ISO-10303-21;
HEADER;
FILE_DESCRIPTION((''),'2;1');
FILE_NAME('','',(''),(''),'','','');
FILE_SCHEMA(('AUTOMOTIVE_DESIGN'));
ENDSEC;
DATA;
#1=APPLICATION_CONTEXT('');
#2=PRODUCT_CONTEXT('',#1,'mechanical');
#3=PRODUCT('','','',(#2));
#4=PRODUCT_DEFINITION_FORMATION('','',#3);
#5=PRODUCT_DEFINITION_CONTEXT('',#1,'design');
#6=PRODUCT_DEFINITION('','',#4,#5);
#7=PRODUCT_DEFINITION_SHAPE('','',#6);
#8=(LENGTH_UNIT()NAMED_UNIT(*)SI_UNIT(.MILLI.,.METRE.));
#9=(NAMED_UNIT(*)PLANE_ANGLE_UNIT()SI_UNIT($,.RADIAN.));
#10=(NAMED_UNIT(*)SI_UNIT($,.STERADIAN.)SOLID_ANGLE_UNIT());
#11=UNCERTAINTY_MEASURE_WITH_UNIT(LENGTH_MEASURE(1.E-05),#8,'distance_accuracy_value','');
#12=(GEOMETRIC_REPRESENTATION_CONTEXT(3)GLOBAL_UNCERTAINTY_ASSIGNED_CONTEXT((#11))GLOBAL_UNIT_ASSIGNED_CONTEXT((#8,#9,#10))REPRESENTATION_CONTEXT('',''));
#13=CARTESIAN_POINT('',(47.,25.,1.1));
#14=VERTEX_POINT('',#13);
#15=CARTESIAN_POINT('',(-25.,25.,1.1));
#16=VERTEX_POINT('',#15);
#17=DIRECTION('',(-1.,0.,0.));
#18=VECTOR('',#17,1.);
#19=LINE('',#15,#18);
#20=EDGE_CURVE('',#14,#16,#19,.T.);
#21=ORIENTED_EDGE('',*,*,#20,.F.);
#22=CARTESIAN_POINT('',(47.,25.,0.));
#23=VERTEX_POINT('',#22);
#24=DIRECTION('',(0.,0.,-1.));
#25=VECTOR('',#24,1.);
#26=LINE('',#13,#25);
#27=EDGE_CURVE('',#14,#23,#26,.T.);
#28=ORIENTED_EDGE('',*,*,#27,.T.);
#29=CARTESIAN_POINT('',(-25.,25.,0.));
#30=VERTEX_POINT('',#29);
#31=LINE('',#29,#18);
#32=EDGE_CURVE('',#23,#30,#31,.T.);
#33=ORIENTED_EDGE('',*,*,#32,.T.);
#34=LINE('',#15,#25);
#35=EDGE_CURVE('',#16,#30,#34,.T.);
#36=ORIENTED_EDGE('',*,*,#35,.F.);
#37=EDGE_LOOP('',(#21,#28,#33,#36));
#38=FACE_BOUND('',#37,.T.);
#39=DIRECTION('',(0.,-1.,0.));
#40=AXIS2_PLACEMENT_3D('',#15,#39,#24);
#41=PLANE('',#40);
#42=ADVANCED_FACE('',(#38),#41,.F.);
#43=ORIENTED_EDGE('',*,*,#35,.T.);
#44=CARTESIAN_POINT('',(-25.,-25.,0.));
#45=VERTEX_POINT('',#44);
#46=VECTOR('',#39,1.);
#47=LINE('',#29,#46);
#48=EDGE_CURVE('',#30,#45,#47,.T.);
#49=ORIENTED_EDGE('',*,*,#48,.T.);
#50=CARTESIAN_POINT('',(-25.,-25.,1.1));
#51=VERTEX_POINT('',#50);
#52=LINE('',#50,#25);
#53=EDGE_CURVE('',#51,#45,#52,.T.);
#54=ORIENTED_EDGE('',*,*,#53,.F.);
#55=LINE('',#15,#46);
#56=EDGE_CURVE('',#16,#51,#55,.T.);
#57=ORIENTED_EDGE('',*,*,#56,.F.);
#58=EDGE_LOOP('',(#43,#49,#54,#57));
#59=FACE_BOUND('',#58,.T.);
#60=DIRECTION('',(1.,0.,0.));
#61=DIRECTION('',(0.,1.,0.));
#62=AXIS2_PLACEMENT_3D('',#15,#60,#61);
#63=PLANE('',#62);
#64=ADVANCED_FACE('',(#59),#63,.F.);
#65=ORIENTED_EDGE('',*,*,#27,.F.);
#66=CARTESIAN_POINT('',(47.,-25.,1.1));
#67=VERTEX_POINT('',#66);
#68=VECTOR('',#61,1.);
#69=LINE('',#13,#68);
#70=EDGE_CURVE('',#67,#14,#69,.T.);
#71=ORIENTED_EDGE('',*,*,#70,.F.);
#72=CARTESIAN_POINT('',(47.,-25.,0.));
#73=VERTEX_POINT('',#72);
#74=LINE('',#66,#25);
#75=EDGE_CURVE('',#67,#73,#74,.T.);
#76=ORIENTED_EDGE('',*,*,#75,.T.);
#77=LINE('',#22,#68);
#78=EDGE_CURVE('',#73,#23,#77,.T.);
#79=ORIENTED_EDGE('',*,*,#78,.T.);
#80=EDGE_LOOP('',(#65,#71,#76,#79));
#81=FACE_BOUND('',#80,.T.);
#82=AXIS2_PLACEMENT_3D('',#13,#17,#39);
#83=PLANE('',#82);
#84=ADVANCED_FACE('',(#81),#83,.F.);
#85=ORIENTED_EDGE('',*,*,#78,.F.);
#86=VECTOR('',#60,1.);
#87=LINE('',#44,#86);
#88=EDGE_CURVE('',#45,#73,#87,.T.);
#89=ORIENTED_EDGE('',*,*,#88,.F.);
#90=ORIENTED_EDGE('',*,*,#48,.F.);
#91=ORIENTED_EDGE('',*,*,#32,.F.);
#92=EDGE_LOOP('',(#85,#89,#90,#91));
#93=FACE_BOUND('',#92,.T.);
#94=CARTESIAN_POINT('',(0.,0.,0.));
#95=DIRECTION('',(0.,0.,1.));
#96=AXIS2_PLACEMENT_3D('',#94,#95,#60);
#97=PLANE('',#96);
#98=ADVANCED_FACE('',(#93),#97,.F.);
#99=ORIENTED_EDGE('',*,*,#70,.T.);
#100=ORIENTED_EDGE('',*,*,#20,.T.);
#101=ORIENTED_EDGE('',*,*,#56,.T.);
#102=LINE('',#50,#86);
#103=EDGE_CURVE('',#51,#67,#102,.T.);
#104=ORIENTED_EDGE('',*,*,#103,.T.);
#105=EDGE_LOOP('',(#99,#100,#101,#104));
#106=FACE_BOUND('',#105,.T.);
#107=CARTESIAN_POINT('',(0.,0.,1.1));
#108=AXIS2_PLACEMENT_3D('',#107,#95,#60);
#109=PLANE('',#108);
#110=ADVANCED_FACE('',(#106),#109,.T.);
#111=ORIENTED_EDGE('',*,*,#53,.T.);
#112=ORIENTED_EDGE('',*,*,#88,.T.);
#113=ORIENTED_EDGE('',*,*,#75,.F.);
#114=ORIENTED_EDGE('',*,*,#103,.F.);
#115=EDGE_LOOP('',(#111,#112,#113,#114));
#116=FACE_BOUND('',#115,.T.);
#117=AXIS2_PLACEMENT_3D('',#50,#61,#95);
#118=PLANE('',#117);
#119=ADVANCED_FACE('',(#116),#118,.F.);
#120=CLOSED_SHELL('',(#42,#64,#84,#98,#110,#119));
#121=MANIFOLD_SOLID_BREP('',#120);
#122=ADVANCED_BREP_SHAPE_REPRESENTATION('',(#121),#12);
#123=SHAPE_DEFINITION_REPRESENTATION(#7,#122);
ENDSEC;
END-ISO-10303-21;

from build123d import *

# Parameters (mm, degrees)
SKETCH_1_W      = 72
SKETCH_1_H      = 50
EXTRUDE_1_DEPTH = 1.1


with BuildPart() as part:
    # 草图1 → 凸台-拉伸1 (new body)
    with BuildSketch(Plane.XY):
        with Locations((11, 0)):
            Rectangle(SKETCH_1_W, SKETCH_1_H)
    extrude(amount=EXTRUDE_1_DEPTH)


solid = part.part
